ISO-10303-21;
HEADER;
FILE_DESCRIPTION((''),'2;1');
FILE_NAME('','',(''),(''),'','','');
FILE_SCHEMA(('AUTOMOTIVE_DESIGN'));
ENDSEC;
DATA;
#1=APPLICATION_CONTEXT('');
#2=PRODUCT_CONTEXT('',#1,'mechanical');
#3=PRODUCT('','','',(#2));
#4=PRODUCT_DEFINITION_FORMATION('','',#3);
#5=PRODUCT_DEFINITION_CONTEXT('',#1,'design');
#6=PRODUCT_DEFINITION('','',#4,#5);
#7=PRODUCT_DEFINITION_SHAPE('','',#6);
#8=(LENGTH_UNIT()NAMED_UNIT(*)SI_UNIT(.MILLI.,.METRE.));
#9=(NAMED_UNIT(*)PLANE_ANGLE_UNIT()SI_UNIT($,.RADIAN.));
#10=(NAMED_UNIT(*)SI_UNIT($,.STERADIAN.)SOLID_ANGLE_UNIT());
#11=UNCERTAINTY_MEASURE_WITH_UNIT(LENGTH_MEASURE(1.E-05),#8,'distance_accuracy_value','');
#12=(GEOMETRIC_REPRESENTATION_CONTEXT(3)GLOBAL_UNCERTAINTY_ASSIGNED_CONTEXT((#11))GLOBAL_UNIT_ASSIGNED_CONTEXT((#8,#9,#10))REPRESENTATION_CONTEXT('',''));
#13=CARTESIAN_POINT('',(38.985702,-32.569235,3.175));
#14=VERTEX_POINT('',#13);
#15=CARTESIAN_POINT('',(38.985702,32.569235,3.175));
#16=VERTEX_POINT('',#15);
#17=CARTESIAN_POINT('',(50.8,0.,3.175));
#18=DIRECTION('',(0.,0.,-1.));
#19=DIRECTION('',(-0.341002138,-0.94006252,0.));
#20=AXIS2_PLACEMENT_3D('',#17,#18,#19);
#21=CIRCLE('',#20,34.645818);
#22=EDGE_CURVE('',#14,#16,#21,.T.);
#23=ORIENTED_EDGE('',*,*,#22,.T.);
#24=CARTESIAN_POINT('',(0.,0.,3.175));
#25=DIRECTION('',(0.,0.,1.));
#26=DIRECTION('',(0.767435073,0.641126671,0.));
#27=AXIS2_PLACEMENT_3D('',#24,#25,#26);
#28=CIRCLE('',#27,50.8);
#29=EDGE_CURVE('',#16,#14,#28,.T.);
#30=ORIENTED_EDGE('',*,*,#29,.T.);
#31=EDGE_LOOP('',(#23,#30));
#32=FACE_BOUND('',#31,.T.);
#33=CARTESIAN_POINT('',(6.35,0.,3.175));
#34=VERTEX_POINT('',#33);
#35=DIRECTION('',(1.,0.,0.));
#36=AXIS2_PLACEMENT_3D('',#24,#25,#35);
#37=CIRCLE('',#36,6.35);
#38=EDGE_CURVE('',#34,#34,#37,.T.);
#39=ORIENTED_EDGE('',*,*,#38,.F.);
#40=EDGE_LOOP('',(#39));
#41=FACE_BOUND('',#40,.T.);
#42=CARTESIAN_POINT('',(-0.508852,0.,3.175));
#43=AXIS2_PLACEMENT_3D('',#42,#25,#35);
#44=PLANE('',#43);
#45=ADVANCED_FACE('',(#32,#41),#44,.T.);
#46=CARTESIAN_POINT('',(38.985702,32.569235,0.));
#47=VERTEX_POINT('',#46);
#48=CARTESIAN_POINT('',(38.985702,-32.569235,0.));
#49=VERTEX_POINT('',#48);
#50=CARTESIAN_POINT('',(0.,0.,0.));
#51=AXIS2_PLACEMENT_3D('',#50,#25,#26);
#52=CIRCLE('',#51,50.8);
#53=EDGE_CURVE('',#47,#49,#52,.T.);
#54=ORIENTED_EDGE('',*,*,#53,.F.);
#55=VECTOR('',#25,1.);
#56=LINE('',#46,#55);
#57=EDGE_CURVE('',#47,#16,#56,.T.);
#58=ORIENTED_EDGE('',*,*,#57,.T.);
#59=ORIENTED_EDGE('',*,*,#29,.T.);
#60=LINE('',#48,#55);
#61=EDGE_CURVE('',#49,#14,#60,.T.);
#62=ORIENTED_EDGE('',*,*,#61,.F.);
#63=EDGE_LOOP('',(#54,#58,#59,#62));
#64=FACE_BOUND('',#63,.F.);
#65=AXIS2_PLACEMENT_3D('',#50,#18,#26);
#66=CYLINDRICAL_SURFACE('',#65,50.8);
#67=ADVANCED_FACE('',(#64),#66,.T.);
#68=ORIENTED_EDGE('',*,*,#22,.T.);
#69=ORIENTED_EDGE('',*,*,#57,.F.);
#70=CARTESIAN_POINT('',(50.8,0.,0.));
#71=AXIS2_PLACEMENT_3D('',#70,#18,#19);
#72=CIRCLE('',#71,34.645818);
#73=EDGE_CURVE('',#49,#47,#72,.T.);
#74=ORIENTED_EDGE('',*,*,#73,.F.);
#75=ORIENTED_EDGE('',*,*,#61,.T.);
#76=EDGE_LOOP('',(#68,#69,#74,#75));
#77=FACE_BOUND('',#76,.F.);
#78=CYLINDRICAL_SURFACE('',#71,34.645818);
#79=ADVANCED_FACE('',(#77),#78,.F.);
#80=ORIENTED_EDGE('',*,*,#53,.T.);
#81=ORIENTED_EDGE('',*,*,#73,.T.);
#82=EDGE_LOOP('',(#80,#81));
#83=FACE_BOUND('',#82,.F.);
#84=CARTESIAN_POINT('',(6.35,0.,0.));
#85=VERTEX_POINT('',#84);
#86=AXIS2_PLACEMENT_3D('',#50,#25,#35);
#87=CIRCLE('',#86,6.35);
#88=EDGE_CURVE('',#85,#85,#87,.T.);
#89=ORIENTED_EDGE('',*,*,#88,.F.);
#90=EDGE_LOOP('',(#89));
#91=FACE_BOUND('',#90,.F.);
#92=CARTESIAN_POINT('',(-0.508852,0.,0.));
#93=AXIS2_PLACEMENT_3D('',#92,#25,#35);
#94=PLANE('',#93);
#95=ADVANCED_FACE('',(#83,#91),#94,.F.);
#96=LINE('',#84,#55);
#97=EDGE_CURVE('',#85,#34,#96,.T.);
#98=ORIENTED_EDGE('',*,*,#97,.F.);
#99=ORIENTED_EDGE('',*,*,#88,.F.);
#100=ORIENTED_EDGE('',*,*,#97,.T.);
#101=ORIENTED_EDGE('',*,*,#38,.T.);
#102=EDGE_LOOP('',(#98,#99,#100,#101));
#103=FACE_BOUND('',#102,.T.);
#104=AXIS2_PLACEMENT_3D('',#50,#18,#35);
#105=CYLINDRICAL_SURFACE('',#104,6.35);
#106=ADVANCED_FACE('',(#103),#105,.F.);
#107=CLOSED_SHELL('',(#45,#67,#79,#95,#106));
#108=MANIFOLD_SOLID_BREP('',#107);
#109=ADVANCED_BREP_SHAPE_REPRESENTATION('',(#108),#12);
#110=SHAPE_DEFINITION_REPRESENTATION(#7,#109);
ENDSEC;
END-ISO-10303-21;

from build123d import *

# Parameters (mm, degrees)
F0_R     = 6.35
F1_DEPTH = 3.175


with BuildPart() as f1:
    # F0 (on Top) → F1 (new body)
    with BuildSketch(Plane.XY):
        with BuildLine():
            ThreePointArc((38.985702, -32.569235), (16.154182, 0), (38.985702, 32.569235))
            ThreePointArc((38.985702, 32.569235), (-50.8, 0), (38.985702, -32.569235))
        make_face()
        Circle(F0_R, mode=Mode.SUBTRACT)
    extrude(amount=F1_DEPTH)


solid = f1.part
